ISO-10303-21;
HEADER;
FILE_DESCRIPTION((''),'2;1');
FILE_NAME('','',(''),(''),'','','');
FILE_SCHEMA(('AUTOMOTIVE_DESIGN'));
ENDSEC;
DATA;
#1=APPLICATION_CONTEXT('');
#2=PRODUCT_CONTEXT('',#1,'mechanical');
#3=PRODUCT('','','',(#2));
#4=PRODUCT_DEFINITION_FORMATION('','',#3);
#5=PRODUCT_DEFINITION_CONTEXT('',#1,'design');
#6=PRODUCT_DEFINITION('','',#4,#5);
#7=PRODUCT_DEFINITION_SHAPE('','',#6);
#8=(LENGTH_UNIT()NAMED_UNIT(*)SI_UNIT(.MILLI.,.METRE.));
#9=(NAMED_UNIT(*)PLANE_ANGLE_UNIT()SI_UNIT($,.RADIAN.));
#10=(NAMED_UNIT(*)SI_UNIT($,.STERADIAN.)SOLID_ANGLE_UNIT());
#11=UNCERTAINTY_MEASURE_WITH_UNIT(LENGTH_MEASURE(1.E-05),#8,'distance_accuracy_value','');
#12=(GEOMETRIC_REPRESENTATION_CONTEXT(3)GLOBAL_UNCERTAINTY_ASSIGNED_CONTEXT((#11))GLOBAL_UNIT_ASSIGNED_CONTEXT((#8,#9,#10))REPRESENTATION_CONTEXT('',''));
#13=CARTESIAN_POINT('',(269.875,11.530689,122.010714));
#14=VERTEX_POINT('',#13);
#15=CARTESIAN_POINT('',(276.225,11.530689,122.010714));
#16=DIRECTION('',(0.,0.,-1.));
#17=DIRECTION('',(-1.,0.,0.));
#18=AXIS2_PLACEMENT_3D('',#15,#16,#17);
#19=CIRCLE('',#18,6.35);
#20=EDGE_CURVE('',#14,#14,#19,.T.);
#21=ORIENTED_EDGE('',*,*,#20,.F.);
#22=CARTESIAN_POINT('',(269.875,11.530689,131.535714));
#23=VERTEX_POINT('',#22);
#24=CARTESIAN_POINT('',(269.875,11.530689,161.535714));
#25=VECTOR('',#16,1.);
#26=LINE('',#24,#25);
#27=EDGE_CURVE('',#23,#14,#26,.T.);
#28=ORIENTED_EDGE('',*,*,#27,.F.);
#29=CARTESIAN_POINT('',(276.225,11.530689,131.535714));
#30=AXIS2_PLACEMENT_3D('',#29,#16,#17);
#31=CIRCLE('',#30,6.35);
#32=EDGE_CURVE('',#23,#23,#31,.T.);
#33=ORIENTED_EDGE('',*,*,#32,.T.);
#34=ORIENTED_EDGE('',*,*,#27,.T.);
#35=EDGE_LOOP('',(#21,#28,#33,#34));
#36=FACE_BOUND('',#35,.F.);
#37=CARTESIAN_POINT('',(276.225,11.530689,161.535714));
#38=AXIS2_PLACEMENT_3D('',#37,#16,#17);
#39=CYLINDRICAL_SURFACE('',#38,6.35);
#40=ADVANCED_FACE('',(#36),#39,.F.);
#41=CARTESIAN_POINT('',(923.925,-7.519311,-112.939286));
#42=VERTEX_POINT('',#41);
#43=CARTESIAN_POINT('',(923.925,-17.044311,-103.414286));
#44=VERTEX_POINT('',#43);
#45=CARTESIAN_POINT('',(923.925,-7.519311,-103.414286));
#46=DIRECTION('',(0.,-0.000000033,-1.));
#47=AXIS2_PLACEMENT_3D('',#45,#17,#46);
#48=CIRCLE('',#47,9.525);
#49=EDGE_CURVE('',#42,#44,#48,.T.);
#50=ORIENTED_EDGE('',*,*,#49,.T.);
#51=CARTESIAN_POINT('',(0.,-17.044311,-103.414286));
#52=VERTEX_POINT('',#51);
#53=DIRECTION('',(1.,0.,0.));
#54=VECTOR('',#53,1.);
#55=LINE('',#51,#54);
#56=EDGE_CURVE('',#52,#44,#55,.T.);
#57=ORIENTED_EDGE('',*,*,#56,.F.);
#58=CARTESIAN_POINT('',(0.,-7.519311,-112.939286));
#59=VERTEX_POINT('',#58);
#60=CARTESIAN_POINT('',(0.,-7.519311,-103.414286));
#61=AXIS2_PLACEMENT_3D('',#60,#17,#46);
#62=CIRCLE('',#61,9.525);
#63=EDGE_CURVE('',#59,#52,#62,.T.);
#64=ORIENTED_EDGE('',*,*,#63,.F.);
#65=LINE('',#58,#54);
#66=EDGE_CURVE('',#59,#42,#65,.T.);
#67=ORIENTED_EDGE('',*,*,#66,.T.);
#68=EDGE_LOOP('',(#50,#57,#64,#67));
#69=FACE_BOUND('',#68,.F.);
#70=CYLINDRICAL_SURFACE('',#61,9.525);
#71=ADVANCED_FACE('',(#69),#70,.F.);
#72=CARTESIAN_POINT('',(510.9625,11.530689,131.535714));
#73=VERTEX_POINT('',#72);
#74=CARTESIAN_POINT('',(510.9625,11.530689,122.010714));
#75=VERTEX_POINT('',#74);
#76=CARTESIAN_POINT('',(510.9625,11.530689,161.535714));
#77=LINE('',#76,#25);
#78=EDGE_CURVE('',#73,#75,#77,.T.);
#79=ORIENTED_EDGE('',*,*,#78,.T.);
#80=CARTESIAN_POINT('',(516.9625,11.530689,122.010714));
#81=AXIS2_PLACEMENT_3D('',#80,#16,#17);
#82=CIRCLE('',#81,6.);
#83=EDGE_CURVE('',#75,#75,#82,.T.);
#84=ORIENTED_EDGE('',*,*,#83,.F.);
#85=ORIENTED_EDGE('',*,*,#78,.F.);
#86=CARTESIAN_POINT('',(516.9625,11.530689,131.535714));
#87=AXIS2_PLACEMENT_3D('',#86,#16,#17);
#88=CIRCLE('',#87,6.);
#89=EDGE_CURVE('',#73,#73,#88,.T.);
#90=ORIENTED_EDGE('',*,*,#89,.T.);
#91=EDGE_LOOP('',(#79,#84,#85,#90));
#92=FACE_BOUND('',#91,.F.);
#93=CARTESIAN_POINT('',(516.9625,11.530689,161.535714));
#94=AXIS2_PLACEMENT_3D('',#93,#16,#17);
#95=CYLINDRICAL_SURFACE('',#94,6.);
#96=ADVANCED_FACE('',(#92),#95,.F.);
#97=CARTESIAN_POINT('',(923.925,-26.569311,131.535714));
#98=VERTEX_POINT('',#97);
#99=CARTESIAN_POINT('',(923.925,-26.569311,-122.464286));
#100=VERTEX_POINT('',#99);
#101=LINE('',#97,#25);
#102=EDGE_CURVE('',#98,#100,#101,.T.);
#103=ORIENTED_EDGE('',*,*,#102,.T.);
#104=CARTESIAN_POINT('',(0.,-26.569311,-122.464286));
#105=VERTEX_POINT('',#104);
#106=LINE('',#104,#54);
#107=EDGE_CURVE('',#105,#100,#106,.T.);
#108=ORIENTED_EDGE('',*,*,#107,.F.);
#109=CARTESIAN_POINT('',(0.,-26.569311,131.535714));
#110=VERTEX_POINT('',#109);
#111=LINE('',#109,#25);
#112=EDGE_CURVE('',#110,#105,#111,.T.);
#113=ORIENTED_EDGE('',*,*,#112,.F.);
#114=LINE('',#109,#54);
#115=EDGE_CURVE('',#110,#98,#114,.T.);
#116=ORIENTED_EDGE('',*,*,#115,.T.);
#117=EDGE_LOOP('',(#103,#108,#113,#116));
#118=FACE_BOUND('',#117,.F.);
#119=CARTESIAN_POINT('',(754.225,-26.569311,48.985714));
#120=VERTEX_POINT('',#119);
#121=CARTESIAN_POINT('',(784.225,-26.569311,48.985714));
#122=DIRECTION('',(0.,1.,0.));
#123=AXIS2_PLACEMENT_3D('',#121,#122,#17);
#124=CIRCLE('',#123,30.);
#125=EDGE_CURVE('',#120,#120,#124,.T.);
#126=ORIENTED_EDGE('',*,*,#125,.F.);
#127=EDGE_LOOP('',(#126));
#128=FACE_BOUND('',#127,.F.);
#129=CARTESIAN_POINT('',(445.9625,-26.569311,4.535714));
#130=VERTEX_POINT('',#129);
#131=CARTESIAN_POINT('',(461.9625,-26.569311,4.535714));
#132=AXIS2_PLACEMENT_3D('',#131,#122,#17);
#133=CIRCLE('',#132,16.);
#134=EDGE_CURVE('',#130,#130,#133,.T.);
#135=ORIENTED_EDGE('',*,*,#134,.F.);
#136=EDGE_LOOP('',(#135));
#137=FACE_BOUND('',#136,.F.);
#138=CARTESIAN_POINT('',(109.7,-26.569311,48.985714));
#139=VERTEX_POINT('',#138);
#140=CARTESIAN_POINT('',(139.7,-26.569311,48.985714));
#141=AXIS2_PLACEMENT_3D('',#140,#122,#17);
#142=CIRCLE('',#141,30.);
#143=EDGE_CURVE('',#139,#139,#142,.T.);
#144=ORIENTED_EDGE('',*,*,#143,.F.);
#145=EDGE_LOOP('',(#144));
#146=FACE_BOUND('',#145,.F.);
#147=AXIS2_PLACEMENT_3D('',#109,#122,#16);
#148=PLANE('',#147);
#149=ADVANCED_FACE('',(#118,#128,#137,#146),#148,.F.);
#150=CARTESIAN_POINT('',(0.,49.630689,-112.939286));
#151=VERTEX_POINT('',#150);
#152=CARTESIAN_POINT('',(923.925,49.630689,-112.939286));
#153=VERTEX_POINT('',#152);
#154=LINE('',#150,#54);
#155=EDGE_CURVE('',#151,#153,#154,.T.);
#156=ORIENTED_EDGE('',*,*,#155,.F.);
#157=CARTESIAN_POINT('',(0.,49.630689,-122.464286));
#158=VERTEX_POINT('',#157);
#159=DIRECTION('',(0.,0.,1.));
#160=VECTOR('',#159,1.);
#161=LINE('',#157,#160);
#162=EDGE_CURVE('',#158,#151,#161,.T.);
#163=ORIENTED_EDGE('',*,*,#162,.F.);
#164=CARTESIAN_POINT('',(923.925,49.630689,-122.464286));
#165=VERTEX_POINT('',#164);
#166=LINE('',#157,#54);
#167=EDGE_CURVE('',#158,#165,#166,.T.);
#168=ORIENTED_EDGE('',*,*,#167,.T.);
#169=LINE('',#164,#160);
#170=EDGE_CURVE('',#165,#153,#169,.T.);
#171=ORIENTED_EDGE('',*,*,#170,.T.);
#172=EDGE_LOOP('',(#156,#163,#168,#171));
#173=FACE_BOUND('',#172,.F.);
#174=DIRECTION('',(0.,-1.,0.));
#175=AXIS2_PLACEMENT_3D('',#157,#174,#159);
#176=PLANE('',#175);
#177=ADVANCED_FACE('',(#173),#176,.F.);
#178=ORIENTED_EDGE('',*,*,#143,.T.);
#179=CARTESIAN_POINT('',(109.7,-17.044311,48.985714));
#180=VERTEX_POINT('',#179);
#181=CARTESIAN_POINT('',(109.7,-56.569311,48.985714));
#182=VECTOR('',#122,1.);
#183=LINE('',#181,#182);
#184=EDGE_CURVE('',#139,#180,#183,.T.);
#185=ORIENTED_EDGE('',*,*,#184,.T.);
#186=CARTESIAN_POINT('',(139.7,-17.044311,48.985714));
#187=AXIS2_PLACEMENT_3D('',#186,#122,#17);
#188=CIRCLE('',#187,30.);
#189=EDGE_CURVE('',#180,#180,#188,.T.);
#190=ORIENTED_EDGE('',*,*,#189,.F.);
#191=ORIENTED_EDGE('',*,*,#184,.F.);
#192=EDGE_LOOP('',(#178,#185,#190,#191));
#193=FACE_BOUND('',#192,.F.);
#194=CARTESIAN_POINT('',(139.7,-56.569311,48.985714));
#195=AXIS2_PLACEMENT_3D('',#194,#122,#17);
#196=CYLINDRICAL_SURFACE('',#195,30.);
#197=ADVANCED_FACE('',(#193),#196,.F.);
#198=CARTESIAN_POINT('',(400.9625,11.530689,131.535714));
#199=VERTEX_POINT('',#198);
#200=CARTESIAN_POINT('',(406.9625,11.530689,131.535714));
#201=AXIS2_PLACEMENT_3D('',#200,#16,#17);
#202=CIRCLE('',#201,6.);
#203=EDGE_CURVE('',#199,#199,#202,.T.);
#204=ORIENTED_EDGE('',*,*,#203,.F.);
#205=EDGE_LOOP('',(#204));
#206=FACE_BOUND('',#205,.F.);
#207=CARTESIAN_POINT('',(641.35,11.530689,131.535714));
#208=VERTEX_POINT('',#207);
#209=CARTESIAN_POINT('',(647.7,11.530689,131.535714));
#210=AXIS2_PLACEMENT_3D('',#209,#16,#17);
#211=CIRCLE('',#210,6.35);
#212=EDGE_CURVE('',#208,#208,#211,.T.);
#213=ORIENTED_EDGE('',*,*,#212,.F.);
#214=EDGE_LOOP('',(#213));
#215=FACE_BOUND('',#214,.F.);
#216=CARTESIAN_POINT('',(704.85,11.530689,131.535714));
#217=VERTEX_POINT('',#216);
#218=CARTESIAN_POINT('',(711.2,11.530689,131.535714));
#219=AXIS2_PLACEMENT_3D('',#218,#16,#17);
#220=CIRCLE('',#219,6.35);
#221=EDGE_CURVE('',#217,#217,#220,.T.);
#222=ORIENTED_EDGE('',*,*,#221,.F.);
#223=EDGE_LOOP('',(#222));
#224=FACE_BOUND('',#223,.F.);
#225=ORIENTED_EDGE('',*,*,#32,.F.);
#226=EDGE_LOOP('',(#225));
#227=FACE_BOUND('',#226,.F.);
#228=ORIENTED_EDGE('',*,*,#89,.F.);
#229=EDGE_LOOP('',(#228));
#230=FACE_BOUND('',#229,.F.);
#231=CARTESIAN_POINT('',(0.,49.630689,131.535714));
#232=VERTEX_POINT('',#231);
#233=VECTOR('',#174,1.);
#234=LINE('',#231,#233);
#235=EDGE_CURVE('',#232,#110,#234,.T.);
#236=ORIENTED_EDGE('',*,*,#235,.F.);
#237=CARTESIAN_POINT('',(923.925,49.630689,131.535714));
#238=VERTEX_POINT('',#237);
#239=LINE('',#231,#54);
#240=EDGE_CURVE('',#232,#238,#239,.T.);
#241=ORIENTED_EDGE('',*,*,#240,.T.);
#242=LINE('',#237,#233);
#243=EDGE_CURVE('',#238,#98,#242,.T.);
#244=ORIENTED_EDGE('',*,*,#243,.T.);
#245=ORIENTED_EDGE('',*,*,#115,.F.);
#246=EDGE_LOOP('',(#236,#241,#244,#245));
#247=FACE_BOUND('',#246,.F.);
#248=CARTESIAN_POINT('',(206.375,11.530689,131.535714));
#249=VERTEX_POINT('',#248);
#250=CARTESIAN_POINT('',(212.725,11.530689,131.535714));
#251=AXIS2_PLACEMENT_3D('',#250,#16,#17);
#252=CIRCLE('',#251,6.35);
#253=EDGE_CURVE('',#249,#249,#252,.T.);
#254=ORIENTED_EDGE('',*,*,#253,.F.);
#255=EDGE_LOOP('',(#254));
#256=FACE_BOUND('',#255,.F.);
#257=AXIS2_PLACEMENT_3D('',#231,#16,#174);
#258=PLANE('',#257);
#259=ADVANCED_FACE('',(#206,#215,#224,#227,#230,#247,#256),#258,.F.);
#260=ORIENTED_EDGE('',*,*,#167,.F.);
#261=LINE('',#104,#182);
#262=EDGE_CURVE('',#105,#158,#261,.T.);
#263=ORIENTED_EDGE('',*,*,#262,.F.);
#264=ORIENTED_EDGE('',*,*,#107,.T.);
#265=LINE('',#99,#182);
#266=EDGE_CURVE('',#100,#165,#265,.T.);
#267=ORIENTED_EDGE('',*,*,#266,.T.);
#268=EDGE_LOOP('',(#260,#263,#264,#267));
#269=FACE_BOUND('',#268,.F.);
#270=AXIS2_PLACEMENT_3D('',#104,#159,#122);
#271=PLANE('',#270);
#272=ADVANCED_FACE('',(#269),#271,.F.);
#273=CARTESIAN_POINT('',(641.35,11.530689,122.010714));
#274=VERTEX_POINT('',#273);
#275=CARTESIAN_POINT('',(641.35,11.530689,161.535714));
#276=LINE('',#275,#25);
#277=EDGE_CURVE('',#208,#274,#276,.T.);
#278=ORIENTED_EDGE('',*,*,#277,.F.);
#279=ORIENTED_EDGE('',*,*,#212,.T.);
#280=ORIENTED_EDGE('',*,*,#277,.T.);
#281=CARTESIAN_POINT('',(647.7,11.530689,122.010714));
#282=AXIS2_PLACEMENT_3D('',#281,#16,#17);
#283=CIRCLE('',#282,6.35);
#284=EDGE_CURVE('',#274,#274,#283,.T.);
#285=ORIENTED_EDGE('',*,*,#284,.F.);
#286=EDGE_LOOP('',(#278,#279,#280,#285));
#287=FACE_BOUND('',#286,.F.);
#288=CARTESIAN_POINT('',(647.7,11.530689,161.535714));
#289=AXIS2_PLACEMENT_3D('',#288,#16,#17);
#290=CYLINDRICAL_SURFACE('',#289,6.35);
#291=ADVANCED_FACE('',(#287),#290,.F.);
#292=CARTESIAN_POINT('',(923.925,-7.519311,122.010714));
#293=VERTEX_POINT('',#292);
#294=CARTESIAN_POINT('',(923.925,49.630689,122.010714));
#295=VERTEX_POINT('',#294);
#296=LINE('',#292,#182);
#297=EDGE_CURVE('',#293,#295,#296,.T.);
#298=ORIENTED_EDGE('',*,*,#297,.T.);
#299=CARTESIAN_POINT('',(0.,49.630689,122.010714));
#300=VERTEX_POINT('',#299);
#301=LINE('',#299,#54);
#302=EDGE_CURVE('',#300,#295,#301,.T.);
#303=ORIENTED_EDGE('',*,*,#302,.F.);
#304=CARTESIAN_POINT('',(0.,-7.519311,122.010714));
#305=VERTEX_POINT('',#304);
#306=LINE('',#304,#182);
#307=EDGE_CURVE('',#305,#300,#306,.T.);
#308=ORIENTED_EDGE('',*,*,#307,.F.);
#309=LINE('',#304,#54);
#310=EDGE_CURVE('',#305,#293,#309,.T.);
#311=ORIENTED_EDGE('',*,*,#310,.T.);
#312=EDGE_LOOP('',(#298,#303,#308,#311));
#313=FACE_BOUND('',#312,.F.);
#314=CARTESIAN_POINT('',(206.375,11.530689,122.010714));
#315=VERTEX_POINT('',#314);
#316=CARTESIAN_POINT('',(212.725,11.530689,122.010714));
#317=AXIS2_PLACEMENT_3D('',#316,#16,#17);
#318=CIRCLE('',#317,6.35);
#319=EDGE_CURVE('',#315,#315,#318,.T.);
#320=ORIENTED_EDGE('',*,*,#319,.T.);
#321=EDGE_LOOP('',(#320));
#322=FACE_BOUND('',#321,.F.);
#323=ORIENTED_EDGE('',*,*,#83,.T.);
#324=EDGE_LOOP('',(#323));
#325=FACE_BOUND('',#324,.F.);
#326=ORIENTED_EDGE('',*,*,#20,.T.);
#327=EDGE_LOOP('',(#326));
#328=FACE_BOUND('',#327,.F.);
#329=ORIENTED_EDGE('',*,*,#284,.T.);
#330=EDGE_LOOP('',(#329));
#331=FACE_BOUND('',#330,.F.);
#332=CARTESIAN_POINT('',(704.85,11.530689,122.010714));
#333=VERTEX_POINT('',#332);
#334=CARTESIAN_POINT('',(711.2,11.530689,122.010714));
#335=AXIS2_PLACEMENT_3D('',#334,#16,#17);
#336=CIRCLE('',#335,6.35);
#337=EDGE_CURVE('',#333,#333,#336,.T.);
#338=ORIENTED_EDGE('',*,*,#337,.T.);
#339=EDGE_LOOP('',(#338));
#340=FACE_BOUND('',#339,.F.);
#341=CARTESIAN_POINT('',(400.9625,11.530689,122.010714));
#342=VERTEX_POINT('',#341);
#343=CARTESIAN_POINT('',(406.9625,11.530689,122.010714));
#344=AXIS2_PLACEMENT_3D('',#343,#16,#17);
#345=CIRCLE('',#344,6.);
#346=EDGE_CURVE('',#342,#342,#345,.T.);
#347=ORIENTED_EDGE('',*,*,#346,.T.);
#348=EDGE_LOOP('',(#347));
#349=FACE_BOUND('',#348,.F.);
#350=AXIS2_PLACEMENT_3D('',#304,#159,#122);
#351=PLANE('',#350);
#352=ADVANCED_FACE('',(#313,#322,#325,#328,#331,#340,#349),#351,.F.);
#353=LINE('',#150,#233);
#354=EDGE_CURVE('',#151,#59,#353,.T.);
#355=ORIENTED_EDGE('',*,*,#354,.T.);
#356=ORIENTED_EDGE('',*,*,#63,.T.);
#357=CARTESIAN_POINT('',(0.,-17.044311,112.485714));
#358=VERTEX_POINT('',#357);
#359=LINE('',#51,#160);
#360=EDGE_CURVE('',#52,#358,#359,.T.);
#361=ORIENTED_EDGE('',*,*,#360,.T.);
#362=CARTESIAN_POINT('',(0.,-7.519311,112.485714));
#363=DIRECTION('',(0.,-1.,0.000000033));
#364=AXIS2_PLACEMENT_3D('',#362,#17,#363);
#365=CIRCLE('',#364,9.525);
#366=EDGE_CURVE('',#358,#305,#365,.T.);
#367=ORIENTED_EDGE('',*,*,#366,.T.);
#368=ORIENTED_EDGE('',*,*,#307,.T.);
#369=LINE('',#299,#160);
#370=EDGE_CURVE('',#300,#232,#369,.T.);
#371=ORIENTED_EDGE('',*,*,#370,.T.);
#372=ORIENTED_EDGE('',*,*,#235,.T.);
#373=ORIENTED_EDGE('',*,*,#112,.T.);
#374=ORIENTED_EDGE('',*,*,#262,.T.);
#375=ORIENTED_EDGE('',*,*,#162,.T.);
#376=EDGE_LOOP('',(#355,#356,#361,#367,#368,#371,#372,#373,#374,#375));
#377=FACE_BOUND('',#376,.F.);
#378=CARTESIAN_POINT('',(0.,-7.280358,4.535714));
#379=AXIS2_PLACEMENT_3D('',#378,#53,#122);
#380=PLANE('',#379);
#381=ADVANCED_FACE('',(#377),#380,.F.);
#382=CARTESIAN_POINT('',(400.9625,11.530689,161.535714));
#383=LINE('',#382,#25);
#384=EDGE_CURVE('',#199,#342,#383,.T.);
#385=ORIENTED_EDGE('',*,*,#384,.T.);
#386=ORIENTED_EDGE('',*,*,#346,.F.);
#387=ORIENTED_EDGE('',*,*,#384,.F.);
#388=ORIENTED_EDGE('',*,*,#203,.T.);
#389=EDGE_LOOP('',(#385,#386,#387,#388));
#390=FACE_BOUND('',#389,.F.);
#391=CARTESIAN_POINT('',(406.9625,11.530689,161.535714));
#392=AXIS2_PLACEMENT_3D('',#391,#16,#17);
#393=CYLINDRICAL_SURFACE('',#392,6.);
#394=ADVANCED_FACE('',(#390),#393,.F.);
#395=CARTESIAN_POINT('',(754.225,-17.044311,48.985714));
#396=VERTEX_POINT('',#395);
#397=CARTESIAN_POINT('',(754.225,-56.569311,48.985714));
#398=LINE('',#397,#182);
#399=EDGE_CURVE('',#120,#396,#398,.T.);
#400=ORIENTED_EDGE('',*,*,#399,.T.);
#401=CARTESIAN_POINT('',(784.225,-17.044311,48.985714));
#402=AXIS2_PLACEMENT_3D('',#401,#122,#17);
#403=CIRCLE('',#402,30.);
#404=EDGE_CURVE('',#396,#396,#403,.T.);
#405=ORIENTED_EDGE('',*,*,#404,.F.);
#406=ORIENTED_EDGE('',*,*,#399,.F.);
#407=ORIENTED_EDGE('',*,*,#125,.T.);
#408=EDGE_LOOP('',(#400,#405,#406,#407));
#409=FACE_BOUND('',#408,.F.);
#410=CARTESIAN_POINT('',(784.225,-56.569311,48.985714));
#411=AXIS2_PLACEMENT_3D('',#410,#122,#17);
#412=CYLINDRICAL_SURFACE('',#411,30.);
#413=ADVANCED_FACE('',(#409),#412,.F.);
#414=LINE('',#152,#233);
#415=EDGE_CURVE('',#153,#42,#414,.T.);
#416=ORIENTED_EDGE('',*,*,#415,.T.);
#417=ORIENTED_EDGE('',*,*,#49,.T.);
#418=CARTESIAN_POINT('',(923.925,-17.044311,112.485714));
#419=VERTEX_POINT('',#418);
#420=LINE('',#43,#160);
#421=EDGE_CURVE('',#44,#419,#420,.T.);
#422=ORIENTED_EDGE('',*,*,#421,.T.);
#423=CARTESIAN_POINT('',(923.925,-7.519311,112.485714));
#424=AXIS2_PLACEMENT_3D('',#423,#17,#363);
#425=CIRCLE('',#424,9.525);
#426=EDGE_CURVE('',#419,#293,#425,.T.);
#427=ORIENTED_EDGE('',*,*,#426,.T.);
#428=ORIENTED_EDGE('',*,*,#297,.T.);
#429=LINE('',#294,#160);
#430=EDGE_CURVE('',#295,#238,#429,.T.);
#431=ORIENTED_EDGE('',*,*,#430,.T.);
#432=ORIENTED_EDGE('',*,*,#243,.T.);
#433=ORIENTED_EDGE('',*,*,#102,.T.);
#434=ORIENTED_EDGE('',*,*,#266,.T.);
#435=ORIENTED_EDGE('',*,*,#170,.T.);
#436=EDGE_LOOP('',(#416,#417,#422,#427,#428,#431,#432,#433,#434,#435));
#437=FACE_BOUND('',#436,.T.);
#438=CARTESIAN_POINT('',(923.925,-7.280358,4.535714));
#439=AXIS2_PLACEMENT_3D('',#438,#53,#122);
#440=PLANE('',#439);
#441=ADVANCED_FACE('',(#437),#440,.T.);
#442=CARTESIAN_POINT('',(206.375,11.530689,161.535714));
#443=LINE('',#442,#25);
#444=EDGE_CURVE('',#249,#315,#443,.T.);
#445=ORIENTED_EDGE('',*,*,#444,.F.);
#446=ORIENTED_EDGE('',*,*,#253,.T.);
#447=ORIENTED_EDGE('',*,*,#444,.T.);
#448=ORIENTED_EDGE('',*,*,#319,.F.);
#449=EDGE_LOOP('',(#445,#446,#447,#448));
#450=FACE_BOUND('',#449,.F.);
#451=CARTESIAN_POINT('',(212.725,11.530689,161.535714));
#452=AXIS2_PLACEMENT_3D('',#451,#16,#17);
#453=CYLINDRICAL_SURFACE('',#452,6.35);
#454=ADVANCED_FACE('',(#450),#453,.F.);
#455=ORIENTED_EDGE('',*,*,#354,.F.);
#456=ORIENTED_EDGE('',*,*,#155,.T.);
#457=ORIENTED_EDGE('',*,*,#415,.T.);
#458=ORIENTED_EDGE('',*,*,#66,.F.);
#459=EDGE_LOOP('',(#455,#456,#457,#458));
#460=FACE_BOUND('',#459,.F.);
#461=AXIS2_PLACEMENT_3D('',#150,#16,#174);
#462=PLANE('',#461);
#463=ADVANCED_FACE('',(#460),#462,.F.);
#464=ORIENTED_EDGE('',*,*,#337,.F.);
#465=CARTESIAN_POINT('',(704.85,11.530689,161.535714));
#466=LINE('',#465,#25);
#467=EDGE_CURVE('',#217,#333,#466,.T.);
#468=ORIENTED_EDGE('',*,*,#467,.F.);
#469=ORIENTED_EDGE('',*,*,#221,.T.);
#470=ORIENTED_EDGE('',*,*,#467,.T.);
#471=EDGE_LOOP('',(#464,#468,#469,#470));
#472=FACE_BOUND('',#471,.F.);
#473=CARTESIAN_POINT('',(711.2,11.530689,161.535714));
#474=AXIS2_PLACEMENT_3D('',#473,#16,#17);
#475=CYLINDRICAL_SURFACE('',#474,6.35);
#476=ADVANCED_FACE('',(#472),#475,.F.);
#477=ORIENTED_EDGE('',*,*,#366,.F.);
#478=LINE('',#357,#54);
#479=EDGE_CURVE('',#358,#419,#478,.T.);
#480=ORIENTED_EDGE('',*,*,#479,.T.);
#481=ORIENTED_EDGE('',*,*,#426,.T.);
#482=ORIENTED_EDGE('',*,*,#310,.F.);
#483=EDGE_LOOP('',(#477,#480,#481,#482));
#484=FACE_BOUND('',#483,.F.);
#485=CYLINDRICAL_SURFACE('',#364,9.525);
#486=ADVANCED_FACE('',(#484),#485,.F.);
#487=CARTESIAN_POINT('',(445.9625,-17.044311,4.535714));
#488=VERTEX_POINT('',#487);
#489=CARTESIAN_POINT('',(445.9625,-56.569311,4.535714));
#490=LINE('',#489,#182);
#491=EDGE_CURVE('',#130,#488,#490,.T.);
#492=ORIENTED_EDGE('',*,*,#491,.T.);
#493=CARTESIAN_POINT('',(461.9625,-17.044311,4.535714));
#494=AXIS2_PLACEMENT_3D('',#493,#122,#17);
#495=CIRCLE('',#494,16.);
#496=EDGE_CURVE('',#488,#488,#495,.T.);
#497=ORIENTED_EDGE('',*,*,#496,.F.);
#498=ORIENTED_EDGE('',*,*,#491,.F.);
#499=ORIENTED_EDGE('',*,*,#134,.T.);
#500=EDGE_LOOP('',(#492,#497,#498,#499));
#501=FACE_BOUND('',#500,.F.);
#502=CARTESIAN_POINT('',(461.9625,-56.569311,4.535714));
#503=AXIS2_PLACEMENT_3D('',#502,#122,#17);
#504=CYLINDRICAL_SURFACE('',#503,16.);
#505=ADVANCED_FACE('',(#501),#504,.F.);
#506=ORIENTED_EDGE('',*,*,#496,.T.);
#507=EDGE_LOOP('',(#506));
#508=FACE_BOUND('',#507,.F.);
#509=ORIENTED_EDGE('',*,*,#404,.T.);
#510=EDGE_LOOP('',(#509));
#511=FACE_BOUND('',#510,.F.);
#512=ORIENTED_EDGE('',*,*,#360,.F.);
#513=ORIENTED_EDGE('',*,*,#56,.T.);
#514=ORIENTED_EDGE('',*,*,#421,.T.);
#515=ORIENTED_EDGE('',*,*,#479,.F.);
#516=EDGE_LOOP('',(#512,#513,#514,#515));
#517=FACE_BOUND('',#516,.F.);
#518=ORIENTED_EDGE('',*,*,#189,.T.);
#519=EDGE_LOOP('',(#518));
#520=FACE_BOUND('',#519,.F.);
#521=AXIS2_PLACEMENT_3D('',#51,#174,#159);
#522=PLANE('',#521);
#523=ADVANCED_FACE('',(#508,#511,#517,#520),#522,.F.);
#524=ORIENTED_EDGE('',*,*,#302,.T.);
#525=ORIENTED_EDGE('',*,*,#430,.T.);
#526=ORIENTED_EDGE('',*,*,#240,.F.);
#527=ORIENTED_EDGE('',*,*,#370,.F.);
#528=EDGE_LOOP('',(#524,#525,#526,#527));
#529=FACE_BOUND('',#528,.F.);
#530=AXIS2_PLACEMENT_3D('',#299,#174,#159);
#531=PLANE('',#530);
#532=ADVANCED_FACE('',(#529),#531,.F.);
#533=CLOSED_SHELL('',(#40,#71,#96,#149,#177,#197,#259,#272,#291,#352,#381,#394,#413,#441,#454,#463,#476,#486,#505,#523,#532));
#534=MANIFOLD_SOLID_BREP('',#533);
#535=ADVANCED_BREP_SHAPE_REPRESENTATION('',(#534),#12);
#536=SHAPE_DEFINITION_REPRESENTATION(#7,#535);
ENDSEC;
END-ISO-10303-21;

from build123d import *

# Parameters (mm, degrees)
F1_DEPTH = 923.925
F3_D     = 12.7
F3_DEPTH = 30
F5_D     = 60
F5_DEPTH = 30
F6_D     = 32
F6_DEPTH = 30
F7_D     = 12
F7_DEPTH = 30


with BuildPart() as f1:
    # F0 (on Right) → F1 (new body)
    with BuildSketch(Plane.YZ):
        with BuildLine():
            Line((-26.569311, 131.535714), (-26.569311, -122.464286))
            Line((-26.569311, -122.464286), (49.630689, -122.464286))
            Line((49.630689, -122.464286), (49.630689, -112.939286))
            Line((49.630689, -112.939286), (-7.519311, -112.939286))
            ThreePointArc((-7.519311, -112.939286), (-14.254503, -110.149478), (-17.044311, -103.414286))
            Line((-17.044311, -103.414286), (-17.044311, 112.485714))
            ThreePointArc((-17.044311, 112.485714), (-14.254503, 119.220906), (-7.519311, 122.010714))
            Line((-7.519311, 122.010714), (49.630689, 122.010714))
            Line((49.630689, 122.010714), (49.630689, 131.535714))
            Line((49.630689, 131.535714), (-26.569311, 131.535714))
        make_face()
    extrude(amount=F1_DEPTH)

    # F3
    with Locations(Plane.XY.offset(131.535714)):
        with Locations((212.725, 11.530689), (276.225, 11.530689), (647.7, 11.530689), (711.2, 11.530689)):
            Hole(F3_D / 2, depth=F3_DEPTH)

    # F5
    with Locations(Plane.XZ.offset(26.569311)):
        with Locations((139.7, 48.985714), (784.225, 48.985714)):
            Hole(F5_D / 2, depth=F5_DEPTH)

    # F6
    with Locations(Plane.XZ.offset(26.569311)):
        with Locations((461.9625, 4.535714)):
            Hole(F6_D / 2, depth=F6_DEPTH)

    # F7
    with Locations(Plane.XY.offset(131.535714)):
        with Locations((406.9625, 11.530689), (516.9625, 11.530689)):
            Hole(F7_D / 2, depth=F7_DEPTH)


solid = f1.part
